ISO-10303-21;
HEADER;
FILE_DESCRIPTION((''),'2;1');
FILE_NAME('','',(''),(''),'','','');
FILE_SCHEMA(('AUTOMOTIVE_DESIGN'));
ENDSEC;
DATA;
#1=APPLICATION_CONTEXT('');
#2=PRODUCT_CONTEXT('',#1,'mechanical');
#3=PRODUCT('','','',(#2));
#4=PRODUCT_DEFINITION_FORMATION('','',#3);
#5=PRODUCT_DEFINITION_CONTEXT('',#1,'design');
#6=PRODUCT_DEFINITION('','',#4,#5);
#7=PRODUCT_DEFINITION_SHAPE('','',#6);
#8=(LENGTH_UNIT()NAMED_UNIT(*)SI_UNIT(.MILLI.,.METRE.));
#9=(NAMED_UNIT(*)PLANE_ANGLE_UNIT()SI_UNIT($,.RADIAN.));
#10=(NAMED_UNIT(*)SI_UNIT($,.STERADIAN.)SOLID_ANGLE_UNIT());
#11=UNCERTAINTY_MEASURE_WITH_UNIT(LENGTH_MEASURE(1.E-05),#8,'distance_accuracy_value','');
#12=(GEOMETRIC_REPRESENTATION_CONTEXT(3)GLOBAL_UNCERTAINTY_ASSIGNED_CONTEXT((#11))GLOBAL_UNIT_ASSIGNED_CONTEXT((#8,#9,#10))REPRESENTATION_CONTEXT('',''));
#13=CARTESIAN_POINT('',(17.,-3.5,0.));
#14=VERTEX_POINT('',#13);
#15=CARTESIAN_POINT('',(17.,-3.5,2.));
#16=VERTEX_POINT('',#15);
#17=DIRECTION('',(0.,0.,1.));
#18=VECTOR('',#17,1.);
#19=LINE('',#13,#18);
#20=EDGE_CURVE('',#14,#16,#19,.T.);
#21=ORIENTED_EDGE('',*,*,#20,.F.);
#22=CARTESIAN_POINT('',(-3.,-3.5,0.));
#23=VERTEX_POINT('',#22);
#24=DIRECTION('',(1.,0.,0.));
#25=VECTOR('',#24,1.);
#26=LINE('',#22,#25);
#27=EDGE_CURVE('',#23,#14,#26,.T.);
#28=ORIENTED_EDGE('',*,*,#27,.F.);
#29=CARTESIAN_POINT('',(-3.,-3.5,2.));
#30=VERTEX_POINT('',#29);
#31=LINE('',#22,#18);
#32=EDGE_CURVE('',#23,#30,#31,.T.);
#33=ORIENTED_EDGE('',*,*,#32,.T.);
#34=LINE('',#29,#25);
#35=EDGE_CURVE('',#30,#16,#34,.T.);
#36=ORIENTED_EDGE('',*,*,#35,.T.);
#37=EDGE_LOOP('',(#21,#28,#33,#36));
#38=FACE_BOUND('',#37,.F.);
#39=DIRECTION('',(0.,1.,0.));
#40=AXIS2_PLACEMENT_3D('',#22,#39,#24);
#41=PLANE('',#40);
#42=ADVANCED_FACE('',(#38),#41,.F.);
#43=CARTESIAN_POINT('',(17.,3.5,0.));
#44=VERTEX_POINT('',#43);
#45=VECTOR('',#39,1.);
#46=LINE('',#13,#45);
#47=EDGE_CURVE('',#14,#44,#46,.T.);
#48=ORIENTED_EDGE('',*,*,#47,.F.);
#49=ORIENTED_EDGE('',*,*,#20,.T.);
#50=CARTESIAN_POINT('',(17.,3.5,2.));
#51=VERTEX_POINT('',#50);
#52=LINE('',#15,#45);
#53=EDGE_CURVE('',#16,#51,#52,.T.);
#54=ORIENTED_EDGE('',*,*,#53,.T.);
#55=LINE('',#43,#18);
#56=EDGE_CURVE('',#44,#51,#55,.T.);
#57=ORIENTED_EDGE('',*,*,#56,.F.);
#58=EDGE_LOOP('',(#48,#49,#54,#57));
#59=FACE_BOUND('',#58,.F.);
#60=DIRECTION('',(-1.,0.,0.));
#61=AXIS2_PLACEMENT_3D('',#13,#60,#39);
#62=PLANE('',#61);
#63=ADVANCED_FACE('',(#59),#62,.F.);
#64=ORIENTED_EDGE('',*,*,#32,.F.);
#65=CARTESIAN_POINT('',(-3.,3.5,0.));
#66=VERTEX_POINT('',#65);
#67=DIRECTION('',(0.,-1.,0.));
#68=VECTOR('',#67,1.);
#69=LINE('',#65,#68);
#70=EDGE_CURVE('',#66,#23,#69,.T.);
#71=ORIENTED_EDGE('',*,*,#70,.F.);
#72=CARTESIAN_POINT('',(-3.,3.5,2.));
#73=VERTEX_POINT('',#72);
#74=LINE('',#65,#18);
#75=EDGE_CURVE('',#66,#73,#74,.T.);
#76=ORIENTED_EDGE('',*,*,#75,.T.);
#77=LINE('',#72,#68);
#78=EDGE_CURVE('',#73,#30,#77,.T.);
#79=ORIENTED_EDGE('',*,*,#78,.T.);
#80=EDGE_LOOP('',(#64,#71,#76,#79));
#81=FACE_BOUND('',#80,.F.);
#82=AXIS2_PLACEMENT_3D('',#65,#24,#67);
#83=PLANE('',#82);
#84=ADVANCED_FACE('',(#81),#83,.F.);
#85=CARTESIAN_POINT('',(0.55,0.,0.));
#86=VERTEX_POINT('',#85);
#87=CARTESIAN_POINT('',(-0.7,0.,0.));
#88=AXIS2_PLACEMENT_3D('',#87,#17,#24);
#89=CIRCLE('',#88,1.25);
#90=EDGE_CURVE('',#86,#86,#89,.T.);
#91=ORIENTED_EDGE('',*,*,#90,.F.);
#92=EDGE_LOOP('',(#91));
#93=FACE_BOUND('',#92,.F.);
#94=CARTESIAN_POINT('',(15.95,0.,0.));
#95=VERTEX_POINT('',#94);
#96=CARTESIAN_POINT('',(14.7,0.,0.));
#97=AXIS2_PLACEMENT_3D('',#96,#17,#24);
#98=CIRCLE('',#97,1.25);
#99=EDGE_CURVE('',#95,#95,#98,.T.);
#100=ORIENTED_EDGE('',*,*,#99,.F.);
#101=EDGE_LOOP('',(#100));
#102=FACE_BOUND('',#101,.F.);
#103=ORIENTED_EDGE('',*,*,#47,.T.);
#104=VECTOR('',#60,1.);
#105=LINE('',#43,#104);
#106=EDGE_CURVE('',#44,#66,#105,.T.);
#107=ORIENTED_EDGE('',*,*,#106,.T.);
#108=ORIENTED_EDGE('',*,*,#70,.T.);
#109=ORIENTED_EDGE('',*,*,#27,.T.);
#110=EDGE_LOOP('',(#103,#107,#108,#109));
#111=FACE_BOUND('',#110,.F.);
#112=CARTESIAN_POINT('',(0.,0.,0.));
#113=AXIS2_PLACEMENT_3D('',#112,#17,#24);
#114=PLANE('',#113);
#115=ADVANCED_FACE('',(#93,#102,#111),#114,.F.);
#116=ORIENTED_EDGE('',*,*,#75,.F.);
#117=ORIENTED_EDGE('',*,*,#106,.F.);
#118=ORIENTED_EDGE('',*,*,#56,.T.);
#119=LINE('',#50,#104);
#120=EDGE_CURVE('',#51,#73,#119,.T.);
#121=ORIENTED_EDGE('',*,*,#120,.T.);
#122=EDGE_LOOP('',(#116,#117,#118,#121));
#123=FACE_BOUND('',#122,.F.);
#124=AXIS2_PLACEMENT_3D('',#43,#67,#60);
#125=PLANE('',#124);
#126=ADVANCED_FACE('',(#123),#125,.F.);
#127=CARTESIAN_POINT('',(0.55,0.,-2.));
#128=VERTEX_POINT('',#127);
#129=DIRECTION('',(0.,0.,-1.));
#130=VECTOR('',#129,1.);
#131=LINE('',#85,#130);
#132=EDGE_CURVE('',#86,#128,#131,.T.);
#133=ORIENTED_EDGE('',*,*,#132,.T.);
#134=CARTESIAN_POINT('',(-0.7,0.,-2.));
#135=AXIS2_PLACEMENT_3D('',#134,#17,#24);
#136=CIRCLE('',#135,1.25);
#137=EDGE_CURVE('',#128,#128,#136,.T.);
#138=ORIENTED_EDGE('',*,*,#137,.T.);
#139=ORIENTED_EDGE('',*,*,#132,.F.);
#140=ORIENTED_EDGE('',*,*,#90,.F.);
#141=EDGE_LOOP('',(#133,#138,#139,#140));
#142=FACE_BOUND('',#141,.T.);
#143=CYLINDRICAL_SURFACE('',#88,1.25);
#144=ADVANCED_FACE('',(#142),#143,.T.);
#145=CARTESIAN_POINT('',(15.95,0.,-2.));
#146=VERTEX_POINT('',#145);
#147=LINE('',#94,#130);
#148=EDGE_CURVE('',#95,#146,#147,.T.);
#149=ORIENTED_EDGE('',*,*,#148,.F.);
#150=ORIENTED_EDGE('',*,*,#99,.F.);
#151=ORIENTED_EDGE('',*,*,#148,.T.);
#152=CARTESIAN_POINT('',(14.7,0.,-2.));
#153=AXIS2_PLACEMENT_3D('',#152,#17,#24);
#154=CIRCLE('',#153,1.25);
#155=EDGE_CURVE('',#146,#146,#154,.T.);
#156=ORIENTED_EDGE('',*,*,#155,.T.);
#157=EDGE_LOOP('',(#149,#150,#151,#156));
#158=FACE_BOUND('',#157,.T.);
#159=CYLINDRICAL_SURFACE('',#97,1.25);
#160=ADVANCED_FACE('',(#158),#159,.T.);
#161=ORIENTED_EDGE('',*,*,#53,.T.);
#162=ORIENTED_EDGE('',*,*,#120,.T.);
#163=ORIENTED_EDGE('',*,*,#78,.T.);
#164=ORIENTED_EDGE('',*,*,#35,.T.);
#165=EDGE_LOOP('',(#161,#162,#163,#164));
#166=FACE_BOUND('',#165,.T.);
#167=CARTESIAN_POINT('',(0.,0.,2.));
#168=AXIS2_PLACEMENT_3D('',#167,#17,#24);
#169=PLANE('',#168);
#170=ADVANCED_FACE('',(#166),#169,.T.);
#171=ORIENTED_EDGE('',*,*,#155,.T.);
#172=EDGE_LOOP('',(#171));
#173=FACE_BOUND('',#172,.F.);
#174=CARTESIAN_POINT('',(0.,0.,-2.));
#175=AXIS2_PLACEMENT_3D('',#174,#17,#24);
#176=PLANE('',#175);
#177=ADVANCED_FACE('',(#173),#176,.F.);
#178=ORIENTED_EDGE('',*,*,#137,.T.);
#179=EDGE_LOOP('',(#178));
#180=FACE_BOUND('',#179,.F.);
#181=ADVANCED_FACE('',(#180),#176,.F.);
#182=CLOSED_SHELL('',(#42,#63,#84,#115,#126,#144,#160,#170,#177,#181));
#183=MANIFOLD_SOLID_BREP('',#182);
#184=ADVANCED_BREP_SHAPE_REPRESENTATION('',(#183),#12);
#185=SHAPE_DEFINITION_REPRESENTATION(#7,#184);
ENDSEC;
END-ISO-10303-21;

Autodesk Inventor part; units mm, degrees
ref_plane "YZ Plane" through (0, 0, 0) normal (1, 0, 0) x (0, 1, 0)
ref_plane "XZ Plane" through (0, 0, 0) normal (0, 1, 0) x (-1, 0, 0)
ref_plane "XY Plane" through (0, 0, 0) normal (0, 0, 1) x (1, 0, 0)
sketch "Sketch5" plane through (0, 0, 0) normal (0, 0, 1) x (1, 0, 0)
  line L0 (7, -1.5) -> (0.5048, -1.5) projected
  circle A0 centre (14.7, 0) radius 1.25 projected
  circle A1 centre (-0.7, 0) radius 1.25 projected
  line L1 (-3, -3.5) -> (17, -3.5) projected
  line L2 (17, -3.5) -> (17, 3.5) projected
  line L3 (17, 3.5) -> (-3, 3.5) projected
  line L4 (-3, 3.5) -> (-3, -3.5) projected
  point P0 (0, 0)
extrude "Extrusion7" add sketch "Sketch5" along normal blind 2 contours A0 | A1 | L4 L3 L2 L1
extrude "Extrusion8" add sketch "Sketch5" against normal blind 2 contours A0 | A1
properties part number "test_izbrisi"
